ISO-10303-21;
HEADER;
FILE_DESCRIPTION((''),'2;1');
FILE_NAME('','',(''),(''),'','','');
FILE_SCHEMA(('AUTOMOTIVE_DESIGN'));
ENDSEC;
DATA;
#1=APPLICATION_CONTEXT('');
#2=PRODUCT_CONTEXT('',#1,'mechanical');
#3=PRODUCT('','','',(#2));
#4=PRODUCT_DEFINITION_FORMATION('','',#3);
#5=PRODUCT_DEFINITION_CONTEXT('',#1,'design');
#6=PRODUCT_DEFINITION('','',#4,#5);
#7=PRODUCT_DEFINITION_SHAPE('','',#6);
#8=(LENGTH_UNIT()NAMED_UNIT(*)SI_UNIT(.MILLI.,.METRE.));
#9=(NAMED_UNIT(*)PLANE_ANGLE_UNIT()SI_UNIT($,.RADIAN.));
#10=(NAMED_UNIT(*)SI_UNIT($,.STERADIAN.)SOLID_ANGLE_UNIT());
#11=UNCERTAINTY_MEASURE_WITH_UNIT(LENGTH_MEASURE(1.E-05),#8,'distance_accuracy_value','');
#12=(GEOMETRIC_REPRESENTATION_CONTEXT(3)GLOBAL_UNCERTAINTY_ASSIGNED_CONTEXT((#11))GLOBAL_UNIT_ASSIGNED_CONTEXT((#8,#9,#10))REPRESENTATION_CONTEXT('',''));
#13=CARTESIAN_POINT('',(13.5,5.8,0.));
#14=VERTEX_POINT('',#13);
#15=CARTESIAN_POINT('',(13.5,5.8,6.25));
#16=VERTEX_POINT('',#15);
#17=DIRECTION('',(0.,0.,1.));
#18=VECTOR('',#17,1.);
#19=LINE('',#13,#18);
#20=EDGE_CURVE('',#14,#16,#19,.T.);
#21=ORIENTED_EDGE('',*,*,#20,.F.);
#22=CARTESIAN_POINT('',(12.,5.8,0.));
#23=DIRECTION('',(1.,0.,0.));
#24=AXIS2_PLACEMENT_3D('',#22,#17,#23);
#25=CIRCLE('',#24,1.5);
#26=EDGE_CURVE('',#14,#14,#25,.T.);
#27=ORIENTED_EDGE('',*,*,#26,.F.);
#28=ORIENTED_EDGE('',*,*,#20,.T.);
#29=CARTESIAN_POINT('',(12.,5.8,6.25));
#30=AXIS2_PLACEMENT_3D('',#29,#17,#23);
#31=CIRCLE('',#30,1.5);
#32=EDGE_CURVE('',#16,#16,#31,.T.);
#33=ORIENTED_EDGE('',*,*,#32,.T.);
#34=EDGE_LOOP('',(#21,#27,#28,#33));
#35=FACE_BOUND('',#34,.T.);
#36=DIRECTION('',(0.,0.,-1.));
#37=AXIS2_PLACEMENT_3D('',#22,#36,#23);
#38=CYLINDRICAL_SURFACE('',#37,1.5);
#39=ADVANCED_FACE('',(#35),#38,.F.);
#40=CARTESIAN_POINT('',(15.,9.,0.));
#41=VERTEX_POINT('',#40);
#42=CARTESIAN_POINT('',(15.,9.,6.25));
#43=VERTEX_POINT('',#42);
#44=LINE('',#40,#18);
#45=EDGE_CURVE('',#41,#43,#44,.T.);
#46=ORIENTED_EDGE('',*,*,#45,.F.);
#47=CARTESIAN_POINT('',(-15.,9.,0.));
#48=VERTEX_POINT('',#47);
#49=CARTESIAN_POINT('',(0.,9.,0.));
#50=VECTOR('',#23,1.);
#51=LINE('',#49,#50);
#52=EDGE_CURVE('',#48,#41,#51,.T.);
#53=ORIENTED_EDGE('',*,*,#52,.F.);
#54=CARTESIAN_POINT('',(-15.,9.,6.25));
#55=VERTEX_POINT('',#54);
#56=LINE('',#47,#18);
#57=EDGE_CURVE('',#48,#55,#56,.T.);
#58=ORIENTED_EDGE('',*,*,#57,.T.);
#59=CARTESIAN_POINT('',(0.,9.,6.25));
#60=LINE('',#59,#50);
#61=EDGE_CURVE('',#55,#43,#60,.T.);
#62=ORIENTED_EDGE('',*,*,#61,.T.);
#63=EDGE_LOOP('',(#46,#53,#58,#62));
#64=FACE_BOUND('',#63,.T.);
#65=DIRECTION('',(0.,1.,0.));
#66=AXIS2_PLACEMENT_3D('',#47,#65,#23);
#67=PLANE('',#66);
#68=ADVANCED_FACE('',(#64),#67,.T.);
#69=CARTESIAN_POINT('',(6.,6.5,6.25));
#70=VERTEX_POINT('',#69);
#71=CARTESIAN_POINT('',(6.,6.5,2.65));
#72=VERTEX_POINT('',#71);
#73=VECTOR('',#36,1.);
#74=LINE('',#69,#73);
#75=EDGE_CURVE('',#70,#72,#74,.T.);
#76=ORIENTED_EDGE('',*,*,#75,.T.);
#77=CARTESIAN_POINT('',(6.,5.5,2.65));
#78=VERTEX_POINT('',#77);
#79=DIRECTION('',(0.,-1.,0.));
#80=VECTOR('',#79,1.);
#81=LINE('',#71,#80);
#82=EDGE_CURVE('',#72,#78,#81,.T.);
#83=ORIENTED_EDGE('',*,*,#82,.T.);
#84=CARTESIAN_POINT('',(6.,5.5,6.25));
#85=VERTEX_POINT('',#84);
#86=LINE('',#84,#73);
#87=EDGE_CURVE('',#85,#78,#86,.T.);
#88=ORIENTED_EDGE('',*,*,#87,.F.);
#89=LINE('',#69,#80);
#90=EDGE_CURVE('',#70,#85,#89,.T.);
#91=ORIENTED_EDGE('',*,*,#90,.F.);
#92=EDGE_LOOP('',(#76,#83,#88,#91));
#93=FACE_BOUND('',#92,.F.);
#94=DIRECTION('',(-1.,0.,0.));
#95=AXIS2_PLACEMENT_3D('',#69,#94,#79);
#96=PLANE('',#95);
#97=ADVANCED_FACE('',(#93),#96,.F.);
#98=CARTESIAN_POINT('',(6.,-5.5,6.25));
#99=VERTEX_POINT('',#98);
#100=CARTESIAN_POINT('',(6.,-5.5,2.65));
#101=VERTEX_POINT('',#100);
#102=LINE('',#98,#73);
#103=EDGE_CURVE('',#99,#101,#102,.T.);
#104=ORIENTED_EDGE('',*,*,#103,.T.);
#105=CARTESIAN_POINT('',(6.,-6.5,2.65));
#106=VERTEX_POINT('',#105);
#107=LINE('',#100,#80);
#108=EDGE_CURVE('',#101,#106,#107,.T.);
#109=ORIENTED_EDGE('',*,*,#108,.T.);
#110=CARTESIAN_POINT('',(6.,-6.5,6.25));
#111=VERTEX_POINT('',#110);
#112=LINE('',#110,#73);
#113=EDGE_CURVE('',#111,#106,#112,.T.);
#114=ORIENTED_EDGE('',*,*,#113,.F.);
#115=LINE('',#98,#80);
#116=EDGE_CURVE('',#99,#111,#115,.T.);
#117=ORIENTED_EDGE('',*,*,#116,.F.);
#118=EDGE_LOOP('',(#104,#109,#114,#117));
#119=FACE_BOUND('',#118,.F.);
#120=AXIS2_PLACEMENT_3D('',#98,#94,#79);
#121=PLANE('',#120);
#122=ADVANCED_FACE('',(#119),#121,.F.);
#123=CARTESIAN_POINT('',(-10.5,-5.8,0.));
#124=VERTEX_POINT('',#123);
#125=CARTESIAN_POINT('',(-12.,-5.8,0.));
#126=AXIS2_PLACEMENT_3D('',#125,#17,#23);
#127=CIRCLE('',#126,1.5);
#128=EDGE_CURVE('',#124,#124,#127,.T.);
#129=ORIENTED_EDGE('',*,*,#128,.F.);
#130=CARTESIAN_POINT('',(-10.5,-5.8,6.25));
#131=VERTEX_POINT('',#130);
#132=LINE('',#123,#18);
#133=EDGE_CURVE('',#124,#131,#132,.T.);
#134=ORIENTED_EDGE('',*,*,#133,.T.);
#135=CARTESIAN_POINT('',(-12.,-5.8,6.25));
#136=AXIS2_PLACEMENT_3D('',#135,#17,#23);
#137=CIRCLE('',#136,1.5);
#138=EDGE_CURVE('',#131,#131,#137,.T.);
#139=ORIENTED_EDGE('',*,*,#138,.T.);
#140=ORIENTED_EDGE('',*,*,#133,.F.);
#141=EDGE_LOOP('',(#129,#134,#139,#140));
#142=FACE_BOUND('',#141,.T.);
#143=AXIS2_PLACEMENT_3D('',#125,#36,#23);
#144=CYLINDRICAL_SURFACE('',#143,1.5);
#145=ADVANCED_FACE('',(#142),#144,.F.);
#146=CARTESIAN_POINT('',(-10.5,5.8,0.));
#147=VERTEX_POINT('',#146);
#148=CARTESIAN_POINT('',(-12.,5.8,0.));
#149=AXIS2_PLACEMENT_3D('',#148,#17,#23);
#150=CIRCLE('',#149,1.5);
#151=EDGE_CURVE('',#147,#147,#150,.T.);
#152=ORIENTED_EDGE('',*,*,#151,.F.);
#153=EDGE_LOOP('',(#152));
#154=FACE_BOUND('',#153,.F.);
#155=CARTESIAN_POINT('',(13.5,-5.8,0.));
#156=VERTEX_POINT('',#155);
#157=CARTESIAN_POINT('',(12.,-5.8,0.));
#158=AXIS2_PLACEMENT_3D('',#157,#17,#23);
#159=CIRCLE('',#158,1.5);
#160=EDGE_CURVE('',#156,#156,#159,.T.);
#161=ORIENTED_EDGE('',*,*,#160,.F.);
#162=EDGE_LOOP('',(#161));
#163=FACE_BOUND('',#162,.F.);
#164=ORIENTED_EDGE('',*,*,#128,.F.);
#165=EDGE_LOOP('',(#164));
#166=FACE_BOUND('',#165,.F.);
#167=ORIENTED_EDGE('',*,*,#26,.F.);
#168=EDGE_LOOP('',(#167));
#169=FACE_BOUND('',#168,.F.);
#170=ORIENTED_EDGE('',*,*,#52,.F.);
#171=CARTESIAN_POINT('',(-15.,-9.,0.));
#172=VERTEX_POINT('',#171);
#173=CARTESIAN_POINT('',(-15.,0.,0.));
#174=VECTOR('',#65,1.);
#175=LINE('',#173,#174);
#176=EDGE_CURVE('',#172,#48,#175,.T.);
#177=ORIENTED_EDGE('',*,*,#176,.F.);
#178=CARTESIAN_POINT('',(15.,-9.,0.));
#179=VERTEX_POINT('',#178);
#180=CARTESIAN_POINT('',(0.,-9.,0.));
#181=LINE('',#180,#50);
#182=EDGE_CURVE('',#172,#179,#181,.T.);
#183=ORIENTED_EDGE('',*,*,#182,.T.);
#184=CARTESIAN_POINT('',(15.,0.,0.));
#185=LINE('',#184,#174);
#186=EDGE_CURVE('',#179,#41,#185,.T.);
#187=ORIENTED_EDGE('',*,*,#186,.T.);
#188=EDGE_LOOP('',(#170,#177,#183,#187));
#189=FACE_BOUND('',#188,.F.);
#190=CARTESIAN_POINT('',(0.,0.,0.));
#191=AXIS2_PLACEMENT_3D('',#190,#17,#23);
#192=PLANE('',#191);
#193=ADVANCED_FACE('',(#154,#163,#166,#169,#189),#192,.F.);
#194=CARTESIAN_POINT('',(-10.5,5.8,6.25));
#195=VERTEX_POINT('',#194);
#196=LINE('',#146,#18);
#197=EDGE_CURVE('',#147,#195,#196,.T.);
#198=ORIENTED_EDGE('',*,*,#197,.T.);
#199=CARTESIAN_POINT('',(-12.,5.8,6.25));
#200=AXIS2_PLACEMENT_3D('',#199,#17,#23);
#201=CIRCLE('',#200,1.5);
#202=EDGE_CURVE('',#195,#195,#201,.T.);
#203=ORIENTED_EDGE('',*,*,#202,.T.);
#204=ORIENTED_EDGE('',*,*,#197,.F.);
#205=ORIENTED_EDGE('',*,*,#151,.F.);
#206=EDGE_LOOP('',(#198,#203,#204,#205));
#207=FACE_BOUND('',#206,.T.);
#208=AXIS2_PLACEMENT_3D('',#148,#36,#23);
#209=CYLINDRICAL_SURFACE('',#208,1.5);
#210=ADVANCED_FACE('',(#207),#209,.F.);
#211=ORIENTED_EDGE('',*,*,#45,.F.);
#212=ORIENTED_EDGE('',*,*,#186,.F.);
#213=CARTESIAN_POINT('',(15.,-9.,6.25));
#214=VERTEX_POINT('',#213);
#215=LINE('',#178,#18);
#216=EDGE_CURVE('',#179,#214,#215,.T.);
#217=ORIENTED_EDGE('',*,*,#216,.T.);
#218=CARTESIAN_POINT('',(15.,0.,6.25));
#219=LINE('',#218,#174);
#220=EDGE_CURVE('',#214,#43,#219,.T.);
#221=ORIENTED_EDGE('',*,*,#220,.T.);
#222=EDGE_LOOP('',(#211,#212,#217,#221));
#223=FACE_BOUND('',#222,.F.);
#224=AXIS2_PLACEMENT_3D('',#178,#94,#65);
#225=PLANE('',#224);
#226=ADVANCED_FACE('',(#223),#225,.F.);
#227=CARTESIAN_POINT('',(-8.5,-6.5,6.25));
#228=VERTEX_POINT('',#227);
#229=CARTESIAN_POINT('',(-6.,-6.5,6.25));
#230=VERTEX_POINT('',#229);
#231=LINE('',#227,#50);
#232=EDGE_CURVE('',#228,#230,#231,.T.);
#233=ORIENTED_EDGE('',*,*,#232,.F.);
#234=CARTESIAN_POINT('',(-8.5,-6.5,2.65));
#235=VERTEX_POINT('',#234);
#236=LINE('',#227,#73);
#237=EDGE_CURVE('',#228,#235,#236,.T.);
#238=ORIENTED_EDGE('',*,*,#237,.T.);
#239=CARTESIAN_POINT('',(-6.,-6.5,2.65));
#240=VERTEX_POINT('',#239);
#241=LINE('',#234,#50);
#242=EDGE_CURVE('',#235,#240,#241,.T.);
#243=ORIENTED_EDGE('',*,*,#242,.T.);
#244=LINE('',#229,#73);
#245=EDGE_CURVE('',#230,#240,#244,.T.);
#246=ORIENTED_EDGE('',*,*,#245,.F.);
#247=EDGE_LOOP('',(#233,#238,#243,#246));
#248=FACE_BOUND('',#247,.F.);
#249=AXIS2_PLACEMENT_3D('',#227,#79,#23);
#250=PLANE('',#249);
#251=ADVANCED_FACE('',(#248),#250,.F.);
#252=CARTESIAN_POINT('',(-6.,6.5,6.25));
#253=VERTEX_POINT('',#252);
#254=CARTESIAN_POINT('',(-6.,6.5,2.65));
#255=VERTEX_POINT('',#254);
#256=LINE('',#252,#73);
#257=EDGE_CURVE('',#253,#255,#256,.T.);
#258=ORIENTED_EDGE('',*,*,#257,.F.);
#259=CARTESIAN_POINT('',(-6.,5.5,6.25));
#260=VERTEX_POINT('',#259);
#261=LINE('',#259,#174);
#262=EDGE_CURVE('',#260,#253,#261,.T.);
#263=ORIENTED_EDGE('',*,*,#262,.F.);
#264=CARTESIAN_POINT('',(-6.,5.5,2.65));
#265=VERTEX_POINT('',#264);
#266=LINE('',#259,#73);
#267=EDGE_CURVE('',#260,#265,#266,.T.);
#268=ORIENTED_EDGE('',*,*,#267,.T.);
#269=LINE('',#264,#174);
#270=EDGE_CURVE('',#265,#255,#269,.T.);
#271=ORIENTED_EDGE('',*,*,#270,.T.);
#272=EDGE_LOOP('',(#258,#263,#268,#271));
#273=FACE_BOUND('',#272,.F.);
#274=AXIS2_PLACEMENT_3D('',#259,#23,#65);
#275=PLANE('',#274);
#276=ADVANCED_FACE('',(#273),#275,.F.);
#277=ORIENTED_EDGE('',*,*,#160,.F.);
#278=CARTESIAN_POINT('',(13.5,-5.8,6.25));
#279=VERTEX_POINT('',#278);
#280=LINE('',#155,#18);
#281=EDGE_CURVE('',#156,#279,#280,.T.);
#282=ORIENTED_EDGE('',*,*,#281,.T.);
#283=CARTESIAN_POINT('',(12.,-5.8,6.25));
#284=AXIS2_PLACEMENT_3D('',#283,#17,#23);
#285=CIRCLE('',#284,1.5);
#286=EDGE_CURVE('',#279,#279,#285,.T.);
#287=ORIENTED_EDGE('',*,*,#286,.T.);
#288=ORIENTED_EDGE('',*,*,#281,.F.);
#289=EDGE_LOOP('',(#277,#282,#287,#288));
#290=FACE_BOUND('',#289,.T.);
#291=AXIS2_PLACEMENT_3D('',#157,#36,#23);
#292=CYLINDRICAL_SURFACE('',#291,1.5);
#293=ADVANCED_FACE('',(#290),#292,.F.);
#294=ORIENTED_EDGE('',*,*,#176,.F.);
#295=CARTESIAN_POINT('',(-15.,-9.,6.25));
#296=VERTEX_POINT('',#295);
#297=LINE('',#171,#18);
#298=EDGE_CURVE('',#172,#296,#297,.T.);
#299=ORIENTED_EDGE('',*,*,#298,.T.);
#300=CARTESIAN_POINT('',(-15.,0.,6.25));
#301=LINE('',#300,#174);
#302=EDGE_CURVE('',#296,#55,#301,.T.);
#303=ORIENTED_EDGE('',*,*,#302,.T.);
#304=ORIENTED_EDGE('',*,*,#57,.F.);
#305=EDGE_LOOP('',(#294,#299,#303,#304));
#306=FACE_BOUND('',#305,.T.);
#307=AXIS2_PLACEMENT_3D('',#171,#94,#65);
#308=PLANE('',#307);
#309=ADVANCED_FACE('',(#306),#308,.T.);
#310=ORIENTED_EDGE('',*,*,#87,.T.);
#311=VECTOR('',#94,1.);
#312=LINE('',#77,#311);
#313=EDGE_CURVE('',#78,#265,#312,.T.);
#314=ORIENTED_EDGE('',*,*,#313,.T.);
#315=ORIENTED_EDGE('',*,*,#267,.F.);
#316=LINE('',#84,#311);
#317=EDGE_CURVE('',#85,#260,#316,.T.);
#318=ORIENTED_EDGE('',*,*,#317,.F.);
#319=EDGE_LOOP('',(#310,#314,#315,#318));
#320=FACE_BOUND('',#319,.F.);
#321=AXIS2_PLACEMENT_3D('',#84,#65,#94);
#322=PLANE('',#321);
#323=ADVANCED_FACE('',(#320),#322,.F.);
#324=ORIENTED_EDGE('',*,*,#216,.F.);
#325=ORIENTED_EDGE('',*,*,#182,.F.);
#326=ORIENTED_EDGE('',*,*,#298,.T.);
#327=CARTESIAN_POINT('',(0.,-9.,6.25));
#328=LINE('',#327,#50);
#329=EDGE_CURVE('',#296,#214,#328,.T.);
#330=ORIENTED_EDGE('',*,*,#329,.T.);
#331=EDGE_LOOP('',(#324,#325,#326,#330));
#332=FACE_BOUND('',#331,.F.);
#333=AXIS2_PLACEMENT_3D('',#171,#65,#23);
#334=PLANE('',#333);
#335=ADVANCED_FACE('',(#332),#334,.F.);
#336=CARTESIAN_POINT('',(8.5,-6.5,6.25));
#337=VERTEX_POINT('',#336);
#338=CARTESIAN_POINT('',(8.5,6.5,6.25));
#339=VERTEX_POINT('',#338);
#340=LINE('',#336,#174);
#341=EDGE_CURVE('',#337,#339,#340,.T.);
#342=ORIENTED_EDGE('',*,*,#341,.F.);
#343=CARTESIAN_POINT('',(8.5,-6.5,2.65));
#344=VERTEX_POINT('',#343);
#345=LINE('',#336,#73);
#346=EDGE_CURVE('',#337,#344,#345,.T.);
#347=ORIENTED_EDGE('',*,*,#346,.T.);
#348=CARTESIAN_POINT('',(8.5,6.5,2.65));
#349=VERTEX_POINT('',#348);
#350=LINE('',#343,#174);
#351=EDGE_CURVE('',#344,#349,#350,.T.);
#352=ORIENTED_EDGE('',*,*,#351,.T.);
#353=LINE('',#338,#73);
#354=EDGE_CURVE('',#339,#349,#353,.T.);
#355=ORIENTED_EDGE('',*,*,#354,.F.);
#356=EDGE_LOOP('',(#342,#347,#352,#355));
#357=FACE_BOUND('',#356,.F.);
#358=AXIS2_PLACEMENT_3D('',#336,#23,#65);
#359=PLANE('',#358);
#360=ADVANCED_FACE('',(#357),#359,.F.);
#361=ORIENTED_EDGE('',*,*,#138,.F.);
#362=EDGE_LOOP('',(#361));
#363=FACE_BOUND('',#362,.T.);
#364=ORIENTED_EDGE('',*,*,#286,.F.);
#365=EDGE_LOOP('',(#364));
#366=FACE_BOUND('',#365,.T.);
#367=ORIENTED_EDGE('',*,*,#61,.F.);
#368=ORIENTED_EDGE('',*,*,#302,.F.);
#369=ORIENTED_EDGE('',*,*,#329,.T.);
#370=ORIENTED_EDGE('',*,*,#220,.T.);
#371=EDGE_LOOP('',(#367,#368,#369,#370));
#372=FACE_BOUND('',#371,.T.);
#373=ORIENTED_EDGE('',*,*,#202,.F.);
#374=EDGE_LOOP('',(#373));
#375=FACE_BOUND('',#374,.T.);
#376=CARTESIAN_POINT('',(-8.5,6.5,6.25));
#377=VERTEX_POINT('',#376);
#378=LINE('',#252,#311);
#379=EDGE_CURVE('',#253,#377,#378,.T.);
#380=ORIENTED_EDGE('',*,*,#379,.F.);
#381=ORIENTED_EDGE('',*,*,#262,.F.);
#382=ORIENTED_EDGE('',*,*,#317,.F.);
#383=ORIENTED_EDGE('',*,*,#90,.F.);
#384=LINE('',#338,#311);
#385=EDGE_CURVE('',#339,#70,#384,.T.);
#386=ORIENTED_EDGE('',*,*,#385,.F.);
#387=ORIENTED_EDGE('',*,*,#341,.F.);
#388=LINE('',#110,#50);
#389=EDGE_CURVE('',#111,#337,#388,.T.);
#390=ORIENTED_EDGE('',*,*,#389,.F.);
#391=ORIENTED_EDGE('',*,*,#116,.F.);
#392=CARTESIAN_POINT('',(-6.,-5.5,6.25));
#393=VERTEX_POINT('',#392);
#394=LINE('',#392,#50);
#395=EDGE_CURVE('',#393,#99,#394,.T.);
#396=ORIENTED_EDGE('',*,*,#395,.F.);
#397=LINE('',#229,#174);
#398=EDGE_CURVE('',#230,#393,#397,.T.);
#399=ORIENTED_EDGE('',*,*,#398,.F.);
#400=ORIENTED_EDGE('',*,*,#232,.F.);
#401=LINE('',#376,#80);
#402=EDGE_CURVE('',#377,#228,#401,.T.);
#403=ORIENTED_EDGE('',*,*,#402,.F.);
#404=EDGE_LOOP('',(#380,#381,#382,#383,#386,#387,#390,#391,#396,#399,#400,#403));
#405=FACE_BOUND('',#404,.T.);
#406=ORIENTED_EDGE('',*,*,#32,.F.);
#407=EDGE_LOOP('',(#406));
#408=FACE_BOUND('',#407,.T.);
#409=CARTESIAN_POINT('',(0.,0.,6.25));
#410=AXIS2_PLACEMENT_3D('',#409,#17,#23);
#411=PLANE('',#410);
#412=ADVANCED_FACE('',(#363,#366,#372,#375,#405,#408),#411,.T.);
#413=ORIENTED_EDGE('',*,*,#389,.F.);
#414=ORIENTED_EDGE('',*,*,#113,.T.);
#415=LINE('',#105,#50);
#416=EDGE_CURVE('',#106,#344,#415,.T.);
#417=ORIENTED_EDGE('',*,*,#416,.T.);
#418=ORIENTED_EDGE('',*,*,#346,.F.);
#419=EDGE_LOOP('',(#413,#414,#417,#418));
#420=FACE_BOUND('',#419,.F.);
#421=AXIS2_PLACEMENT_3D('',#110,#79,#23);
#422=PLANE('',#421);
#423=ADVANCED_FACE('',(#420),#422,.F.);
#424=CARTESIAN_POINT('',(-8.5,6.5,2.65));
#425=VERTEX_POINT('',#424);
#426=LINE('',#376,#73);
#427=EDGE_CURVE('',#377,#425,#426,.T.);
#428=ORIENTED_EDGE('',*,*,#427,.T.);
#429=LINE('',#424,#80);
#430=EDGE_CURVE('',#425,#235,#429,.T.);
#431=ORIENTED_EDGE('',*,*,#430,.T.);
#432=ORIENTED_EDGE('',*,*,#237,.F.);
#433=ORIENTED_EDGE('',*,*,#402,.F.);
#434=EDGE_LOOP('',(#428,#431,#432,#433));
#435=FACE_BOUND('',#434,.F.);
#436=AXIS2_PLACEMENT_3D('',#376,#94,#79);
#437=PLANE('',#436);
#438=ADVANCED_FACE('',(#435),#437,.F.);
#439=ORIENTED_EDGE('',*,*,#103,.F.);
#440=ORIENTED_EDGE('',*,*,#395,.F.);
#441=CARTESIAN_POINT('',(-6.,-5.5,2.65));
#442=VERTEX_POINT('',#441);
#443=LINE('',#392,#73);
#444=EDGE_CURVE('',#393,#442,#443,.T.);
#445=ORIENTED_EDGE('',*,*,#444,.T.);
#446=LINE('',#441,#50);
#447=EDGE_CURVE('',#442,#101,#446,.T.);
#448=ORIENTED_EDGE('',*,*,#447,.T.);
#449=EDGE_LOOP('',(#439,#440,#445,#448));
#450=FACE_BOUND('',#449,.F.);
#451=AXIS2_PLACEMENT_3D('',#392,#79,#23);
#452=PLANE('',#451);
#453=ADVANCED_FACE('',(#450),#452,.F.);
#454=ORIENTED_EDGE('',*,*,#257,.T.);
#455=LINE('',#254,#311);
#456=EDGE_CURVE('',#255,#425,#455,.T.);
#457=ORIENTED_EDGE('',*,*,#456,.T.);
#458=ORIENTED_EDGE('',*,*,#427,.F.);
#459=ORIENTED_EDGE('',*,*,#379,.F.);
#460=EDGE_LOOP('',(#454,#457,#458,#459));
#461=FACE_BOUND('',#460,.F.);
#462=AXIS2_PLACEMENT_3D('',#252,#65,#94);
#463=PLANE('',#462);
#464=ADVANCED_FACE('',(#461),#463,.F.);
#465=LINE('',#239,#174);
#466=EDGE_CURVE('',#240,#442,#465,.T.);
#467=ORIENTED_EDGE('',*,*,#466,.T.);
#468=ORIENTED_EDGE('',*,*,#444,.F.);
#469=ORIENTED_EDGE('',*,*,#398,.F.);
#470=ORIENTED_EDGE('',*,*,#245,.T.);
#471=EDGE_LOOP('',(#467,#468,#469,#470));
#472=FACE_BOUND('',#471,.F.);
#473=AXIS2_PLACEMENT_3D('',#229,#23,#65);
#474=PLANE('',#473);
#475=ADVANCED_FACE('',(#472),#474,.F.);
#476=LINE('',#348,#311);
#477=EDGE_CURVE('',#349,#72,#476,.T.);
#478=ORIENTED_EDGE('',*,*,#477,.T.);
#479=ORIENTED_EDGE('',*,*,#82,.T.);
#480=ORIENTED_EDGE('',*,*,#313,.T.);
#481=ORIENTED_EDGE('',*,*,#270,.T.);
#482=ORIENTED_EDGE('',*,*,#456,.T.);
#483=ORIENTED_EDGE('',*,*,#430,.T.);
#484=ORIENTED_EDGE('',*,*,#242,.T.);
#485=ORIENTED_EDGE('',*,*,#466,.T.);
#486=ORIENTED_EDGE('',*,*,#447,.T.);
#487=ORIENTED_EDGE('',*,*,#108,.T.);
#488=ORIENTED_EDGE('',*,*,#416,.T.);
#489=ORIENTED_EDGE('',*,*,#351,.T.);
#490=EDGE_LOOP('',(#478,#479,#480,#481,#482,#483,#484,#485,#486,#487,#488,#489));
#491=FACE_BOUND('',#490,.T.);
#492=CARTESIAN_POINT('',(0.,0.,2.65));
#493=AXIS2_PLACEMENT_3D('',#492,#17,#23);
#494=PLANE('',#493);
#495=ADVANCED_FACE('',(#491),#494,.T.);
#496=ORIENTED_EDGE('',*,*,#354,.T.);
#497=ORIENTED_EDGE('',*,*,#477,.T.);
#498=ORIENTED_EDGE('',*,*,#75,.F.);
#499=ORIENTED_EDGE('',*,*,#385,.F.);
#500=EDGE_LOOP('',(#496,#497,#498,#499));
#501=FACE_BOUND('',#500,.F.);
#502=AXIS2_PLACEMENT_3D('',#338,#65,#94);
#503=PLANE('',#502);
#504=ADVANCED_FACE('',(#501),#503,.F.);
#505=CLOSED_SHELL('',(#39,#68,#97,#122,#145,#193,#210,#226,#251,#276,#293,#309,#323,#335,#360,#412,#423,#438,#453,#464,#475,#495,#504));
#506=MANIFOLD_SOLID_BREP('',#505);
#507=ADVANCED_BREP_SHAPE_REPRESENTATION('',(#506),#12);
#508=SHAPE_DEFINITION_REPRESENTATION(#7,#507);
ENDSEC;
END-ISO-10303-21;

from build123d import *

# Parameters (mm, degrees)
F0_W     = 30
F0_H     = 18
F0_R     = 1.5
F1_DEPTH = 6.25
F3_DEPTH = 3.6


with BuildPart() as f1:
    # F0 (on Top) → F1 (new body)
    with BuildSketch(Plane.XY):
        Rectangle(F0_W, F0_H)
        with Locations((-12, -5.8)):
            Circle(F0_R, mode=Mode.SUBTRACT)
        with Locations((12, -5.8)):
            Circle(F0_R, mode=Mode.SUBTRACT)
        with Locations((-12, 5.8)):
            Circle(F0_R, mode=Mode.SUBTRACT)
        with Locations((12, 5.8)):
            Circle(F0_R, mode=Mode.SUBTRACT)
    extrude(amount=F1_DEPTH)

    # F2 (on face) → F3 (cut)
    with BuildSketch(Plane.XY.offset(6.25)):
        Polygon((8.5, -6.5), (8.5, 6.5), (6, 6.5), (6, 5.5), (-6, 5.5), (-6, 6.5), (-8.5, 6.5), (-8.5, -6.5), (-6, -6.5), (-6, -5.5), (6, -5.5), (6, -6.5), align=None)
    extrude(amount=-F3_DEPTH, mode=Mode.SUBTRACT)


solid = f1.part
